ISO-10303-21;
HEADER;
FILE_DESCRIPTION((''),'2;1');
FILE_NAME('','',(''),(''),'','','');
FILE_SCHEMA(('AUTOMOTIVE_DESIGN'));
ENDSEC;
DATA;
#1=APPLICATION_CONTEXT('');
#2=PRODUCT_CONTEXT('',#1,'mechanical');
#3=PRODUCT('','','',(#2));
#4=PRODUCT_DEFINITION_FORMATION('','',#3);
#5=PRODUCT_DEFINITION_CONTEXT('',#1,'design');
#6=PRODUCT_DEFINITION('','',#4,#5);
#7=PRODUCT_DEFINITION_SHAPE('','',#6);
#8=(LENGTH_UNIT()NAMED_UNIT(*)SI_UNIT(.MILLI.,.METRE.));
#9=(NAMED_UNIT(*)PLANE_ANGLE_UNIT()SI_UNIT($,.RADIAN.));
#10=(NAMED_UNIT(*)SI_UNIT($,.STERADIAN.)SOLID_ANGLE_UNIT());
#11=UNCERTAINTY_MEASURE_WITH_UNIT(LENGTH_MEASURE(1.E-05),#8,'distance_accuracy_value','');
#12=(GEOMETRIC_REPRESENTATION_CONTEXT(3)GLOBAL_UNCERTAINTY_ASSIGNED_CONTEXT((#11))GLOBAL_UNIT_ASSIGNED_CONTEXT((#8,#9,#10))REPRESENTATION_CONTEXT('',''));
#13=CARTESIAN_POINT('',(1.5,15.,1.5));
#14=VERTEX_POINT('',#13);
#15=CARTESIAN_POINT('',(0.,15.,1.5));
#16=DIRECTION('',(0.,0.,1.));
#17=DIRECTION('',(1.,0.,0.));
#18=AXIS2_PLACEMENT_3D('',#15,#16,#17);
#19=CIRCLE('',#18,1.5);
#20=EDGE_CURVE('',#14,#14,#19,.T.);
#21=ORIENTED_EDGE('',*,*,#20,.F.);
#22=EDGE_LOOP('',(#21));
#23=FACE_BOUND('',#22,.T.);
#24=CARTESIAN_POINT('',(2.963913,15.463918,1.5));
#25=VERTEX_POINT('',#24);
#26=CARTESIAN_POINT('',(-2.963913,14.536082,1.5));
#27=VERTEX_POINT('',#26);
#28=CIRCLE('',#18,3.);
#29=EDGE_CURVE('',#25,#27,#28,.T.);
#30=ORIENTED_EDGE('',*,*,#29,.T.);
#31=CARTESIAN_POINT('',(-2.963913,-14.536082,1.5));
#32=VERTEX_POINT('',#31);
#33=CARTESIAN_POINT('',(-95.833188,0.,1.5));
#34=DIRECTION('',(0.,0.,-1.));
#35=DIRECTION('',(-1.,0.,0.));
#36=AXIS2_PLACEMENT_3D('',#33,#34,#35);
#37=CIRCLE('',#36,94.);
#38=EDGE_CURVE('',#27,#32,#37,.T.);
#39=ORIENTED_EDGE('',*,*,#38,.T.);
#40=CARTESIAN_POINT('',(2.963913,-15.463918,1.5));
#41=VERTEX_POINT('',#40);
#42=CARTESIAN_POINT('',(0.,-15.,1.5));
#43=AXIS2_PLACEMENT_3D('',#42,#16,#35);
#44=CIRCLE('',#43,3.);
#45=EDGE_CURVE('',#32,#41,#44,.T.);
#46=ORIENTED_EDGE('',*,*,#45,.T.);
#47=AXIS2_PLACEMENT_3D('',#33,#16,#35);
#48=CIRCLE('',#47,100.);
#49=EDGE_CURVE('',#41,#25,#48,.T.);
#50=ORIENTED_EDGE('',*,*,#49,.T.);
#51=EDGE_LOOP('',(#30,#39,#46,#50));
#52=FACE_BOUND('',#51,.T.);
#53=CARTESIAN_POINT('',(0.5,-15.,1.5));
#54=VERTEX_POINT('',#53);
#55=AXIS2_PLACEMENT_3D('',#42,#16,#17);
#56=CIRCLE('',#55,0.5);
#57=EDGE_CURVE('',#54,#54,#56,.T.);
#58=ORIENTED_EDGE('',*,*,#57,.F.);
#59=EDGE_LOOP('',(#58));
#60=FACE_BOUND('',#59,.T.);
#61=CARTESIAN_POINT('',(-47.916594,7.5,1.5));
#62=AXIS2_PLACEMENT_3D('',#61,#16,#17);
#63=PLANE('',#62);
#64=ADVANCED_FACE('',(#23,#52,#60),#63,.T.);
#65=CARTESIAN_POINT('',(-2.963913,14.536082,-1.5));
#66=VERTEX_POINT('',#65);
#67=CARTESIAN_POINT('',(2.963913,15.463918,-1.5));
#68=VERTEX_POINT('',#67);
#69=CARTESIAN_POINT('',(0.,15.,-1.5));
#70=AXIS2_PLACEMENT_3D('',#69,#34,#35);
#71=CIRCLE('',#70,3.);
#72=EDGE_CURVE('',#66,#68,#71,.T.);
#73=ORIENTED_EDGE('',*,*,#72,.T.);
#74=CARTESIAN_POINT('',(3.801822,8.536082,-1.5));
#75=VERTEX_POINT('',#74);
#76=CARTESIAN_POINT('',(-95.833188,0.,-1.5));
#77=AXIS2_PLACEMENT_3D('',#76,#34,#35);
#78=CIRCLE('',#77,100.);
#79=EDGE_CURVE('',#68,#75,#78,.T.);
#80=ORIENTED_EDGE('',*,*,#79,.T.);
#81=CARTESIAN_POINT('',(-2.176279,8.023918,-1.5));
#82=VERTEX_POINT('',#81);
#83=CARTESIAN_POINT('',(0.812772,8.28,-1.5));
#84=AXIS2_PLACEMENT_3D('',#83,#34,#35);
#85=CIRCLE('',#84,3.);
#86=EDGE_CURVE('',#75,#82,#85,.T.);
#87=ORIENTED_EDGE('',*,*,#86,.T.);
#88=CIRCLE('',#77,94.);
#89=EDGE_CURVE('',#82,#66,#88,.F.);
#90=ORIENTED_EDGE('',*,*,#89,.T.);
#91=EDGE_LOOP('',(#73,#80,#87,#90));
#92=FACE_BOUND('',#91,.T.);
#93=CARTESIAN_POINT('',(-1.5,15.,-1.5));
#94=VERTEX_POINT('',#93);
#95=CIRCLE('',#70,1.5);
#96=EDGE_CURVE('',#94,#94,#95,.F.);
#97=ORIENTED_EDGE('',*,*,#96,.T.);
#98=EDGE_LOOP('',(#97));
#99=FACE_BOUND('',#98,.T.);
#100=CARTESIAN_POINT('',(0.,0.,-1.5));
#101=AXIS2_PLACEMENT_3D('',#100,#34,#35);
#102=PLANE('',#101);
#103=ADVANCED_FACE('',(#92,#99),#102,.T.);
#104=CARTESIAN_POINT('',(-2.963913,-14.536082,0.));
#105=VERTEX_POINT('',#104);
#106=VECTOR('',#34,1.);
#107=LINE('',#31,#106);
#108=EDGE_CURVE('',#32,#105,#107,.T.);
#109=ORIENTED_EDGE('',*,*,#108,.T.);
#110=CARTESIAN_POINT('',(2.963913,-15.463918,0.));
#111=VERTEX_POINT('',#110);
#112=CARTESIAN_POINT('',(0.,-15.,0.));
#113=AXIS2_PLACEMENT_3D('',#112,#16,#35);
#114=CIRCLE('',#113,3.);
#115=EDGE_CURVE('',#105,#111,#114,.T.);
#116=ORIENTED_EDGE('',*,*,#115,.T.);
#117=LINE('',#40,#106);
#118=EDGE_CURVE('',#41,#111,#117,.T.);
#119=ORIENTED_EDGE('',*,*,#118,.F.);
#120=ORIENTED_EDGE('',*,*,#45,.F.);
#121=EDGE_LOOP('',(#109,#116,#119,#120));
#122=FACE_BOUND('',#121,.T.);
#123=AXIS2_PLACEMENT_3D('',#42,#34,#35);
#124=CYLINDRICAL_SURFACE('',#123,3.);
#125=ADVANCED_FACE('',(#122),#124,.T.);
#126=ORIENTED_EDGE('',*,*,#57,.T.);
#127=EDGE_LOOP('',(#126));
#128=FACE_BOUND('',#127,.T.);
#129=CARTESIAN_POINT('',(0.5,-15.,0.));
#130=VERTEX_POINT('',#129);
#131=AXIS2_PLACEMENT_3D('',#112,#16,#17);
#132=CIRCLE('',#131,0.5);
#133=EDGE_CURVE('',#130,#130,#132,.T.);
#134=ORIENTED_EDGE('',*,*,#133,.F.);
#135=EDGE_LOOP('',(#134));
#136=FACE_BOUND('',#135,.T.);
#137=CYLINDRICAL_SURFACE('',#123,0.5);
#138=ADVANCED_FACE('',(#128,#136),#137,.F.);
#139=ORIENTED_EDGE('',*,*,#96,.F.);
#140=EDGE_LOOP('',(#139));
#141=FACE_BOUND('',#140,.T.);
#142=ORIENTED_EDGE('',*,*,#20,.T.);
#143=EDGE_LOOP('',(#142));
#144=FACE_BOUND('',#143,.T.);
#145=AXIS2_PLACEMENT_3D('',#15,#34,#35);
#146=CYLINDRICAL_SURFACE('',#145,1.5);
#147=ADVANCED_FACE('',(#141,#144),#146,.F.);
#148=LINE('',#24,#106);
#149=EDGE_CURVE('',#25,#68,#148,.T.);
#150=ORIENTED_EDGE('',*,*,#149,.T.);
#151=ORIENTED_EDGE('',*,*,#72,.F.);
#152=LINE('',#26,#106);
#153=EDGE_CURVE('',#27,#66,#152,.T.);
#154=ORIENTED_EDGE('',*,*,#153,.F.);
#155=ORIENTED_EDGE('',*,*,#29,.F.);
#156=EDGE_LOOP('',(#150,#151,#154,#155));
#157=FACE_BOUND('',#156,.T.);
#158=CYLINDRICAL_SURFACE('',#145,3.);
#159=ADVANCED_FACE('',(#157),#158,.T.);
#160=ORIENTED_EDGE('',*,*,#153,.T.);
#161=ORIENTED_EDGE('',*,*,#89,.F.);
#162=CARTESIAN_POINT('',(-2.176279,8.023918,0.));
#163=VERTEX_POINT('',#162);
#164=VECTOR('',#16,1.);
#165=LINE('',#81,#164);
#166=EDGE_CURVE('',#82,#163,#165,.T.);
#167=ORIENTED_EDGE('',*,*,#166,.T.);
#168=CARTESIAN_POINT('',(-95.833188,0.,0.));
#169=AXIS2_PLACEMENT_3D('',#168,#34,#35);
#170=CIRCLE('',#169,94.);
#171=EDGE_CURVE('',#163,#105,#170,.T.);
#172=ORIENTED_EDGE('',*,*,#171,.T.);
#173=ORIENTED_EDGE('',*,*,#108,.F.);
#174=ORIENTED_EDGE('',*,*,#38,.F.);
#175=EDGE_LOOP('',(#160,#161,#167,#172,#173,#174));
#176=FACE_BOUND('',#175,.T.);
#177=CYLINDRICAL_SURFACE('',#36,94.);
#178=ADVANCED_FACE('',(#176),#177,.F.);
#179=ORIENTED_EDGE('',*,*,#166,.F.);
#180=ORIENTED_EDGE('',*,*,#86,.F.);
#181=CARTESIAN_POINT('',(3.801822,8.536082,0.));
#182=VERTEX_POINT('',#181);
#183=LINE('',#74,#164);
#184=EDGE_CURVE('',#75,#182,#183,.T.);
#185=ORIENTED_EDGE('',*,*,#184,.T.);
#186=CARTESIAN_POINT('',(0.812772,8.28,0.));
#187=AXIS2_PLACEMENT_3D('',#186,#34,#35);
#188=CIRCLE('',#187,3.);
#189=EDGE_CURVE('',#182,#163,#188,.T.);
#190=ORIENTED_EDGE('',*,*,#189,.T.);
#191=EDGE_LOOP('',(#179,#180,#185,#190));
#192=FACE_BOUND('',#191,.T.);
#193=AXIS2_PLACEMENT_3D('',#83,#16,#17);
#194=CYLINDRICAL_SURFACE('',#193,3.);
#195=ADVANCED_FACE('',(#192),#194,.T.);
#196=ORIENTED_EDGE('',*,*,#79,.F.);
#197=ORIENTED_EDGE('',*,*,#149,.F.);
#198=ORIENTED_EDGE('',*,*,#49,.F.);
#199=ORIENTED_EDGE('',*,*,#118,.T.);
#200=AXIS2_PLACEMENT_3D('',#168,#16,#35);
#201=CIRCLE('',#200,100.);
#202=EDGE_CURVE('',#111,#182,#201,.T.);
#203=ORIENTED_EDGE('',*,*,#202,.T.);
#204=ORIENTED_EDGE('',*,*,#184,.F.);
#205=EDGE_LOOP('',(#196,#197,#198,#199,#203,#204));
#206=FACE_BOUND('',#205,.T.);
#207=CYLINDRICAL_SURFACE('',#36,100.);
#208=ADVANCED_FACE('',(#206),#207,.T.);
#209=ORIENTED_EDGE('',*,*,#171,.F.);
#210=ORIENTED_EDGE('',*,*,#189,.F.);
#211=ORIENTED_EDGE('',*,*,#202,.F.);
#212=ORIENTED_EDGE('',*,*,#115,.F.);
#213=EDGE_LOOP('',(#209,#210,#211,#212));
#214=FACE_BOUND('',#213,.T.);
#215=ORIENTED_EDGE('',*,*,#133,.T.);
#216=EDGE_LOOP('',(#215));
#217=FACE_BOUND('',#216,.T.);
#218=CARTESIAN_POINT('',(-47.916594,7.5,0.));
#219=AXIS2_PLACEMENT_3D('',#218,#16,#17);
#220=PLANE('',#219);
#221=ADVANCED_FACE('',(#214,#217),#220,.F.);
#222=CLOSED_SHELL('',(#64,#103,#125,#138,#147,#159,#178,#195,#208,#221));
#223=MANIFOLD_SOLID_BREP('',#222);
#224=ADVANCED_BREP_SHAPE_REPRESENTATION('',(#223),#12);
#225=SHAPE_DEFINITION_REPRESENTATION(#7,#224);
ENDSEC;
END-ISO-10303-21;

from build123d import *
from build123d.topology import SkipClean

# Parameters (mm, degrees)
SKETCH1_R           = 1.5
SKETCH1_R_2         = 0.5
BOSS_EXTRUDE1_DEPTH = 1.5
BOSS_EXTRUDE2_START = 1.5
SKETCH2_R           = 1.5
BOSS_EXTRUDE2_DEPTH = 1.5


with BuildPart() as part:
    # Sketch1 → Boss-Extrude1 (new body)
    with BuildSketch(Plane.XY):
        with BuildLine():
            ThreePointArc((2.963913043, 15.463917526), (4.166811594, 0), (2.963913043, -15.463917526))
            ThreePointArc((2.963913043, -15.463917526), (-0.463917526, -17.963913043), (-2.963913043, -14.536082474))
            ThreePointArc((-2.963913043, -14.536082474), (-1.833188406, 0), (-2.963913043, 14.536082474))
            ThreePointArc((-2.963913043, 14.536082474), (-0.463917526, 17.963913043), (2.963913043, 15.463917526))
        make_face()
        with Locations((0, 15)):
            Circle(SKETCH1_R, mode=Mode.SUBTRACT)
        with Locations((0, -15)):
            Circle(SKETCH1_R_2, mode=Mode.SUBTRACT)
    extrude(amount=BOSS_EXTRUDE1_DEPTH)

    # Sketch2 → Boss-Extrude2 (add)
    with SkipClean():  # the faces are left unmerged after this step: merging them gives an invalid solid
        with BuildSketch(Plane(origin=(0, 0, 0), x_dir=(-1, 0, 0), z_dir=(0, 0, -1)).offset(BOSS_EXTRUDE2_START)):
            with BuildLine():
                ThreePointArc((-2.963913043, 15.463917526), (-3.443316756, 12.007311225), (-3.801821987, 8.536082474))
                ThreePointArc((-3.801821987, 8.536082474), (-1.06885415, 5.290949688), (2.176278636, 8.023917526))
                ThreePointArc((2.176278636, 8.023917526), (2.513273554, 11.286872551), (2.963913043, 14.536082474))
                ThreePointArc((2.963913043, 14.536082474), (0.463917526, 17.963913043), (-2.963913043, 15.463917526))
            make_face()
            with Locations((0, 15)):
                Circle(SKETCH2_R, mode=Mode.SUBTRACT)
        extrude(amount=-BOSS_EXTRUDE2_DEPTH)


solid = part.part
